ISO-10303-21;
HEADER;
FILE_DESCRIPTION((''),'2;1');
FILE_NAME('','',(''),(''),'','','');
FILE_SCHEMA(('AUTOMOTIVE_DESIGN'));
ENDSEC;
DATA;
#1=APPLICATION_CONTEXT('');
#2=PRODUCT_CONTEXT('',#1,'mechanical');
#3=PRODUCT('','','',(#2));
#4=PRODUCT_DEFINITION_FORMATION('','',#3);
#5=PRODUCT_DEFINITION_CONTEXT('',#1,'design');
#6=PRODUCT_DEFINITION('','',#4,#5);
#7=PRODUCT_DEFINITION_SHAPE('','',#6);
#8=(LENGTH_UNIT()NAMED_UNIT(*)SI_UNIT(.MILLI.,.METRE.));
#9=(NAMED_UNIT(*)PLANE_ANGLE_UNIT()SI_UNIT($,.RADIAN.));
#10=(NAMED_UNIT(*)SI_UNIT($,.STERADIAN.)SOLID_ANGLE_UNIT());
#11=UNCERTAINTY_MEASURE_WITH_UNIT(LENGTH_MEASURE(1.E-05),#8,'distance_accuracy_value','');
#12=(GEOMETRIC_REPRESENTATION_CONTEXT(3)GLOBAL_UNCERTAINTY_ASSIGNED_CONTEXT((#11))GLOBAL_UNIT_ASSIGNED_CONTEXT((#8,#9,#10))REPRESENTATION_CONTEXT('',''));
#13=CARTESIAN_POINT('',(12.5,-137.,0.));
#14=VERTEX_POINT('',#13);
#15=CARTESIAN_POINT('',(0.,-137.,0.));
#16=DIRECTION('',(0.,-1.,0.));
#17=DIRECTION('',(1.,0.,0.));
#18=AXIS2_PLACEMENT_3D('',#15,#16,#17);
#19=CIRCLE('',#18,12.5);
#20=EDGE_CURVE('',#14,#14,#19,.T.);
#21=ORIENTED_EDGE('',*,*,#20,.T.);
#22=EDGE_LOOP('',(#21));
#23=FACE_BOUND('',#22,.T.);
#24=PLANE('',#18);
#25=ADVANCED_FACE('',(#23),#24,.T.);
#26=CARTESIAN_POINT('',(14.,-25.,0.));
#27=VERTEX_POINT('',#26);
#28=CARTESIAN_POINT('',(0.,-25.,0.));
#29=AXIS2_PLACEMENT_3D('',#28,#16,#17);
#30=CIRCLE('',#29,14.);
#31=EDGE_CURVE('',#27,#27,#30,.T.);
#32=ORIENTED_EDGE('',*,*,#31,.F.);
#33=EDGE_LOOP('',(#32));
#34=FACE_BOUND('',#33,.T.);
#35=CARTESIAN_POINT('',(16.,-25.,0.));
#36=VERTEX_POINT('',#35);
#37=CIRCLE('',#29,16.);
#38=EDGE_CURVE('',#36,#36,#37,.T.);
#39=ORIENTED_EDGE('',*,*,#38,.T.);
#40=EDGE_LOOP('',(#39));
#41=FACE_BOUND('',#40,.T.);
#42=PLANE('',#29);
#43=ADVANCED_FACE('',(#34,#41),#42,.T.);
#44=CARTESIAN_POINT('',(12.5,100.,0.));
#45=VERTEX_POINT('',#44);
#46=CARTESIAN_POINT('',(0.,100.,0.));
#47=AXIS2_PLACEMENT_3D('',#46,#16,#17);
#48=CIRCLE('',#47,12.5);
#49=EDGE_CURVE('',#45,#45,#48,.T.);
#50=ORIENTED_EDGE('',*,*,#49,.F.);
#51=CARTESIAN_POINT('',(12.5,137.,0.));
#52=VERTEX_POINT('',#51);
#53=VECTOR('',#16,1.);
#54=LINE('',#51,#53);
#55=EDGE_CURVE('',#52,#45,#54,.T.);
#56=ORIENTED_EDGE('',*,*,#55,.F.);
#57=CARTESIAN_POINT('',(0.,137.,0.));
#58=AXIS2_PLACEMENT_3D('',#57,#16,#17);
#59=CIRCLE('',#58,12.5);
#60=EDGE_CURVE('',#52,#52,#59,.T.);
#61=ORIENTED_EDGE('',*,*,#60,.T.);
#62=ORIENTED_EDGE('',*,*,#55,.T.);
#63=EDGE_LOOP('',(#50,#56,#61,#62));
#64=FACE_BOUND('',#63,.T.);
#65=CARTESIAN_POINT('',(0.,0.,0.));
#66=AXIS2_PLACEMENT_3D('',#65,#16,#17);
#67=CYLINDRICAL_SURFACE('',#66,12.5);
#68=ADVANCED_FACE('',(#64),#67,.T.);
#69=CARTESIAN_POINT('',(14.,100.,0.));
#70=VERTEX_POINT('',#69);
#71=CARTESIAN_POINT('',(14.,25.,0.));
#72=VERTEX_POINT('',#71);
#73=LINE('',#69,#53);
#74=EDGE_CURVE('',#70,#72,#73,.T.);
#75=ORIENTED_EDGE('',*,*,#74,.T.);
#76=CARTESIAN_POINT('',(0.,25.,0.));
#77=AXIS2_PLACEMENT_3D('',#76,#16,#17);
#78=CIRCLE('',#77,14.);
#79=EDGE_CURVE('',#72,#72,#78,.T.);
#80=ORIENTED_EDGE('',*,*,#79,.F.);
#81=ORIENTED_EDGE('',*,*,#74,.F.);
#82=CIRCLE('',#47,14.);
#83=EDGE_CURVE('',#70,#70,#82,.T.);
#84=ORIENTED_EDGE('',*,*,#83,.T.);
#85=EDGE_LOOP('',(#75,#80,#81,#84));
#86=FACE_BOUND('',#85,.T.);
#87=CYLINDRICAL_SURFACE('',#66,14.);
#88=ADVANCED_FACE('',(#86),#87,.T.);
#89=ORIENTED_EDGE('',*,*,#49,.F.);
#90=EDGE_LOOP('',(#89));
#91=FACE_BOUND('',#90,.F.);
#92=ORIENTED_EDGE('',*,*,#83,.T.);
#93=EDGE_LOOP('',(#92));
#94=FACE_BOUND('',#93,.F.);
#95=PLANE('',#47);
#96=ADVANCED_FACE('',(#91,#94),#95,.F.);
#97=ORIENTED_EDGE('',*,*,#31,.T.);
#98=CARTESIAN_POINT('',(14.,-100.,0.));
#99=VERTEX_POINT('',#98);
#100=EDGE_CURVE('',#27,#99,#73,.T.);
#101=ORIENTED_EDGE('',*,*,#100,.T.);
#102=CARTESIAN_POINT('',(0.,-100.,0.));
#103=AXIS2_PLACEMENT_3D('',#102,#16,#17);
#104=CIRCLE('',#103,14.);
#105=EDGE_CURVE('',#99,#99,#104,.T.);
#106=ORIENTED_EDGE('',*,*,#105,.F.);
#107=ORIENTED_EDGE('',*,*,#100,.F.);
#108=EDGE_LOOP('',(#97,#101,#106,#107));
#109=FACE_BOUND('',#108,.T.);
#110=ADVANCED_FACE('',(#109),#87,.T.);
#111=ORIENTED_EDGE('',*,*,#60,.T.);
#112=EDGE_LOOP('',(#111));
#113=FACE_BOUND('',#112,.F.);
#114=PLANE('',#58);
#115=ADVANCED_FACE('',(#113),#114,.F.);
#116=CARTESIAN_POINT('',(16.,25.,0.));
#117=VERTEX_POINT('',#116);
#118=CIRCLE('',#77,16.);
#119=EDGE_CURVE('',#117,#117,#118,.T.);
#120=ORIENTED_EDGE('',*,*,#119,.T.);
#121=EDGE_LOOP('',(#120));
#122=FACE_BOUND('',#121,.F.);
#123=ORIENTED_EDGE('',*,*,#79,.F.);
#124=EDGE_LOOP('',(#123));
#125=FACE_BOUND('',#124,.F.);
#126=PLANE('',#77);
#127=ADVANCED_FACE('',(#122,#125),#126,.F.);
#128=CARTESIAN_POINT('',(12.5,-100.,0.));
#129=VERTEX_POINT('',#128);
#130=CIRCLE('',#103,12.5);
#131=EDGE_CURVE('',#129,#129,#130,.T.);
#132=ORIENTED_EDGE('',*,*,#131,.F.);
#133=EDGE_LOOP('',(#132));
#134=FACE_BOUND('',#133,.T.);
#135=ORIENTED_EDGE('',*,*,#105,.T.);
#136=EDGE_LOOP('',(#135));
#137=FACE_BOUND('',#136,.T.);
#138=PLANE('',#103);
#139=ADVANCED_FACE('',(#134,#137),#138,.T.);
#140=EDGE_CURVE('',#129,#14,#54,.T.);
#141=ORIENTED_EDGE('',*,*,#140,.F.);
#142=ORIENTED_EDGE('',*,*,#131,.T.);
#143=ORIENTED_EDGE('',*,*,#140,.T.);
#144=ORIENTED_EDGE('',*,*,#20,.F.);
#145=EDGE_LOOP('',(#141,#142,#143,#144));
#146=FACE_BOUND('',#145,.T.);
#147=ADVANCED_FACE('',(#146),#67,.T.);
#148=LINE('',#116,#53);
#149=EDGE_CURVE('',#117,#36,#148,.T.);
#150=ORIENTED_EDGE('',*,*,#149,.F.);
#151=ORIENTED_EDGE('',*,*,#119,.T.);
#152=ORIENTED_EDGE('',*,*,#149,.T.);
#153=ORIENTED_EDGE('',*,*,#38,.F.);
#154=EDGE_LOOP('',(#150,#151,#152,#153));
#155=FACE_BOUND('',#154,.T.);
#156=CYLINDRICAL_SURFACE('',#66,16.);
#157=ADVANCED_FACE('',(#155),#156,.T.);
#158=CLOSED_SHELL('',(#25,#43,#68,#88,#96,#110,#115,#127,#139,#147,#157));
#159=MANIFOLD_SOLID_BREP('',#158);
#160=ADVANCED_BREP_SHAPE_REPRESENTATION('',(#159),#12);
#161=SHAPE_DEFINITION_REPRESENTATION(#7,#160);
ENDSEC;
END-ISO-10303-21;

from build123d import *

# Parameters (mm, degrees)
F0_R     = 12.5
F1_DEPTH = 137
F0_R_2   = 14
F2_DEPTH = 100
F0_R_3   = 16
F3_DEPTH = 25


with BuildPart() as f1:
    # F0 (on Front) → F1 (new body, symmetric)
    with BuildSketch(Plane.XZ):
        Circle(F0_R)
    extrude(amount=F1_DEPTH, both=True)

    # F0 (on Front) → F2 (join, symmetric)
    with BuildSketch(Plane.XZ):
        Circle(F0_R_2)
        Circle(F0_R, mode=Mode.SUBTRACT)
    extrude(amount=F2_DEPTH, both=True)

    # F0 (on Front) → F3 (join, symmetric)
    with BuildSketch(Plane.XZ):
        Circle(F0_R_3)
        Circle(F0_R_2, mode=Mode.SUBTRACT)
    extrude(amount=F3_DEPTH, both=True)


solid = f1.part
